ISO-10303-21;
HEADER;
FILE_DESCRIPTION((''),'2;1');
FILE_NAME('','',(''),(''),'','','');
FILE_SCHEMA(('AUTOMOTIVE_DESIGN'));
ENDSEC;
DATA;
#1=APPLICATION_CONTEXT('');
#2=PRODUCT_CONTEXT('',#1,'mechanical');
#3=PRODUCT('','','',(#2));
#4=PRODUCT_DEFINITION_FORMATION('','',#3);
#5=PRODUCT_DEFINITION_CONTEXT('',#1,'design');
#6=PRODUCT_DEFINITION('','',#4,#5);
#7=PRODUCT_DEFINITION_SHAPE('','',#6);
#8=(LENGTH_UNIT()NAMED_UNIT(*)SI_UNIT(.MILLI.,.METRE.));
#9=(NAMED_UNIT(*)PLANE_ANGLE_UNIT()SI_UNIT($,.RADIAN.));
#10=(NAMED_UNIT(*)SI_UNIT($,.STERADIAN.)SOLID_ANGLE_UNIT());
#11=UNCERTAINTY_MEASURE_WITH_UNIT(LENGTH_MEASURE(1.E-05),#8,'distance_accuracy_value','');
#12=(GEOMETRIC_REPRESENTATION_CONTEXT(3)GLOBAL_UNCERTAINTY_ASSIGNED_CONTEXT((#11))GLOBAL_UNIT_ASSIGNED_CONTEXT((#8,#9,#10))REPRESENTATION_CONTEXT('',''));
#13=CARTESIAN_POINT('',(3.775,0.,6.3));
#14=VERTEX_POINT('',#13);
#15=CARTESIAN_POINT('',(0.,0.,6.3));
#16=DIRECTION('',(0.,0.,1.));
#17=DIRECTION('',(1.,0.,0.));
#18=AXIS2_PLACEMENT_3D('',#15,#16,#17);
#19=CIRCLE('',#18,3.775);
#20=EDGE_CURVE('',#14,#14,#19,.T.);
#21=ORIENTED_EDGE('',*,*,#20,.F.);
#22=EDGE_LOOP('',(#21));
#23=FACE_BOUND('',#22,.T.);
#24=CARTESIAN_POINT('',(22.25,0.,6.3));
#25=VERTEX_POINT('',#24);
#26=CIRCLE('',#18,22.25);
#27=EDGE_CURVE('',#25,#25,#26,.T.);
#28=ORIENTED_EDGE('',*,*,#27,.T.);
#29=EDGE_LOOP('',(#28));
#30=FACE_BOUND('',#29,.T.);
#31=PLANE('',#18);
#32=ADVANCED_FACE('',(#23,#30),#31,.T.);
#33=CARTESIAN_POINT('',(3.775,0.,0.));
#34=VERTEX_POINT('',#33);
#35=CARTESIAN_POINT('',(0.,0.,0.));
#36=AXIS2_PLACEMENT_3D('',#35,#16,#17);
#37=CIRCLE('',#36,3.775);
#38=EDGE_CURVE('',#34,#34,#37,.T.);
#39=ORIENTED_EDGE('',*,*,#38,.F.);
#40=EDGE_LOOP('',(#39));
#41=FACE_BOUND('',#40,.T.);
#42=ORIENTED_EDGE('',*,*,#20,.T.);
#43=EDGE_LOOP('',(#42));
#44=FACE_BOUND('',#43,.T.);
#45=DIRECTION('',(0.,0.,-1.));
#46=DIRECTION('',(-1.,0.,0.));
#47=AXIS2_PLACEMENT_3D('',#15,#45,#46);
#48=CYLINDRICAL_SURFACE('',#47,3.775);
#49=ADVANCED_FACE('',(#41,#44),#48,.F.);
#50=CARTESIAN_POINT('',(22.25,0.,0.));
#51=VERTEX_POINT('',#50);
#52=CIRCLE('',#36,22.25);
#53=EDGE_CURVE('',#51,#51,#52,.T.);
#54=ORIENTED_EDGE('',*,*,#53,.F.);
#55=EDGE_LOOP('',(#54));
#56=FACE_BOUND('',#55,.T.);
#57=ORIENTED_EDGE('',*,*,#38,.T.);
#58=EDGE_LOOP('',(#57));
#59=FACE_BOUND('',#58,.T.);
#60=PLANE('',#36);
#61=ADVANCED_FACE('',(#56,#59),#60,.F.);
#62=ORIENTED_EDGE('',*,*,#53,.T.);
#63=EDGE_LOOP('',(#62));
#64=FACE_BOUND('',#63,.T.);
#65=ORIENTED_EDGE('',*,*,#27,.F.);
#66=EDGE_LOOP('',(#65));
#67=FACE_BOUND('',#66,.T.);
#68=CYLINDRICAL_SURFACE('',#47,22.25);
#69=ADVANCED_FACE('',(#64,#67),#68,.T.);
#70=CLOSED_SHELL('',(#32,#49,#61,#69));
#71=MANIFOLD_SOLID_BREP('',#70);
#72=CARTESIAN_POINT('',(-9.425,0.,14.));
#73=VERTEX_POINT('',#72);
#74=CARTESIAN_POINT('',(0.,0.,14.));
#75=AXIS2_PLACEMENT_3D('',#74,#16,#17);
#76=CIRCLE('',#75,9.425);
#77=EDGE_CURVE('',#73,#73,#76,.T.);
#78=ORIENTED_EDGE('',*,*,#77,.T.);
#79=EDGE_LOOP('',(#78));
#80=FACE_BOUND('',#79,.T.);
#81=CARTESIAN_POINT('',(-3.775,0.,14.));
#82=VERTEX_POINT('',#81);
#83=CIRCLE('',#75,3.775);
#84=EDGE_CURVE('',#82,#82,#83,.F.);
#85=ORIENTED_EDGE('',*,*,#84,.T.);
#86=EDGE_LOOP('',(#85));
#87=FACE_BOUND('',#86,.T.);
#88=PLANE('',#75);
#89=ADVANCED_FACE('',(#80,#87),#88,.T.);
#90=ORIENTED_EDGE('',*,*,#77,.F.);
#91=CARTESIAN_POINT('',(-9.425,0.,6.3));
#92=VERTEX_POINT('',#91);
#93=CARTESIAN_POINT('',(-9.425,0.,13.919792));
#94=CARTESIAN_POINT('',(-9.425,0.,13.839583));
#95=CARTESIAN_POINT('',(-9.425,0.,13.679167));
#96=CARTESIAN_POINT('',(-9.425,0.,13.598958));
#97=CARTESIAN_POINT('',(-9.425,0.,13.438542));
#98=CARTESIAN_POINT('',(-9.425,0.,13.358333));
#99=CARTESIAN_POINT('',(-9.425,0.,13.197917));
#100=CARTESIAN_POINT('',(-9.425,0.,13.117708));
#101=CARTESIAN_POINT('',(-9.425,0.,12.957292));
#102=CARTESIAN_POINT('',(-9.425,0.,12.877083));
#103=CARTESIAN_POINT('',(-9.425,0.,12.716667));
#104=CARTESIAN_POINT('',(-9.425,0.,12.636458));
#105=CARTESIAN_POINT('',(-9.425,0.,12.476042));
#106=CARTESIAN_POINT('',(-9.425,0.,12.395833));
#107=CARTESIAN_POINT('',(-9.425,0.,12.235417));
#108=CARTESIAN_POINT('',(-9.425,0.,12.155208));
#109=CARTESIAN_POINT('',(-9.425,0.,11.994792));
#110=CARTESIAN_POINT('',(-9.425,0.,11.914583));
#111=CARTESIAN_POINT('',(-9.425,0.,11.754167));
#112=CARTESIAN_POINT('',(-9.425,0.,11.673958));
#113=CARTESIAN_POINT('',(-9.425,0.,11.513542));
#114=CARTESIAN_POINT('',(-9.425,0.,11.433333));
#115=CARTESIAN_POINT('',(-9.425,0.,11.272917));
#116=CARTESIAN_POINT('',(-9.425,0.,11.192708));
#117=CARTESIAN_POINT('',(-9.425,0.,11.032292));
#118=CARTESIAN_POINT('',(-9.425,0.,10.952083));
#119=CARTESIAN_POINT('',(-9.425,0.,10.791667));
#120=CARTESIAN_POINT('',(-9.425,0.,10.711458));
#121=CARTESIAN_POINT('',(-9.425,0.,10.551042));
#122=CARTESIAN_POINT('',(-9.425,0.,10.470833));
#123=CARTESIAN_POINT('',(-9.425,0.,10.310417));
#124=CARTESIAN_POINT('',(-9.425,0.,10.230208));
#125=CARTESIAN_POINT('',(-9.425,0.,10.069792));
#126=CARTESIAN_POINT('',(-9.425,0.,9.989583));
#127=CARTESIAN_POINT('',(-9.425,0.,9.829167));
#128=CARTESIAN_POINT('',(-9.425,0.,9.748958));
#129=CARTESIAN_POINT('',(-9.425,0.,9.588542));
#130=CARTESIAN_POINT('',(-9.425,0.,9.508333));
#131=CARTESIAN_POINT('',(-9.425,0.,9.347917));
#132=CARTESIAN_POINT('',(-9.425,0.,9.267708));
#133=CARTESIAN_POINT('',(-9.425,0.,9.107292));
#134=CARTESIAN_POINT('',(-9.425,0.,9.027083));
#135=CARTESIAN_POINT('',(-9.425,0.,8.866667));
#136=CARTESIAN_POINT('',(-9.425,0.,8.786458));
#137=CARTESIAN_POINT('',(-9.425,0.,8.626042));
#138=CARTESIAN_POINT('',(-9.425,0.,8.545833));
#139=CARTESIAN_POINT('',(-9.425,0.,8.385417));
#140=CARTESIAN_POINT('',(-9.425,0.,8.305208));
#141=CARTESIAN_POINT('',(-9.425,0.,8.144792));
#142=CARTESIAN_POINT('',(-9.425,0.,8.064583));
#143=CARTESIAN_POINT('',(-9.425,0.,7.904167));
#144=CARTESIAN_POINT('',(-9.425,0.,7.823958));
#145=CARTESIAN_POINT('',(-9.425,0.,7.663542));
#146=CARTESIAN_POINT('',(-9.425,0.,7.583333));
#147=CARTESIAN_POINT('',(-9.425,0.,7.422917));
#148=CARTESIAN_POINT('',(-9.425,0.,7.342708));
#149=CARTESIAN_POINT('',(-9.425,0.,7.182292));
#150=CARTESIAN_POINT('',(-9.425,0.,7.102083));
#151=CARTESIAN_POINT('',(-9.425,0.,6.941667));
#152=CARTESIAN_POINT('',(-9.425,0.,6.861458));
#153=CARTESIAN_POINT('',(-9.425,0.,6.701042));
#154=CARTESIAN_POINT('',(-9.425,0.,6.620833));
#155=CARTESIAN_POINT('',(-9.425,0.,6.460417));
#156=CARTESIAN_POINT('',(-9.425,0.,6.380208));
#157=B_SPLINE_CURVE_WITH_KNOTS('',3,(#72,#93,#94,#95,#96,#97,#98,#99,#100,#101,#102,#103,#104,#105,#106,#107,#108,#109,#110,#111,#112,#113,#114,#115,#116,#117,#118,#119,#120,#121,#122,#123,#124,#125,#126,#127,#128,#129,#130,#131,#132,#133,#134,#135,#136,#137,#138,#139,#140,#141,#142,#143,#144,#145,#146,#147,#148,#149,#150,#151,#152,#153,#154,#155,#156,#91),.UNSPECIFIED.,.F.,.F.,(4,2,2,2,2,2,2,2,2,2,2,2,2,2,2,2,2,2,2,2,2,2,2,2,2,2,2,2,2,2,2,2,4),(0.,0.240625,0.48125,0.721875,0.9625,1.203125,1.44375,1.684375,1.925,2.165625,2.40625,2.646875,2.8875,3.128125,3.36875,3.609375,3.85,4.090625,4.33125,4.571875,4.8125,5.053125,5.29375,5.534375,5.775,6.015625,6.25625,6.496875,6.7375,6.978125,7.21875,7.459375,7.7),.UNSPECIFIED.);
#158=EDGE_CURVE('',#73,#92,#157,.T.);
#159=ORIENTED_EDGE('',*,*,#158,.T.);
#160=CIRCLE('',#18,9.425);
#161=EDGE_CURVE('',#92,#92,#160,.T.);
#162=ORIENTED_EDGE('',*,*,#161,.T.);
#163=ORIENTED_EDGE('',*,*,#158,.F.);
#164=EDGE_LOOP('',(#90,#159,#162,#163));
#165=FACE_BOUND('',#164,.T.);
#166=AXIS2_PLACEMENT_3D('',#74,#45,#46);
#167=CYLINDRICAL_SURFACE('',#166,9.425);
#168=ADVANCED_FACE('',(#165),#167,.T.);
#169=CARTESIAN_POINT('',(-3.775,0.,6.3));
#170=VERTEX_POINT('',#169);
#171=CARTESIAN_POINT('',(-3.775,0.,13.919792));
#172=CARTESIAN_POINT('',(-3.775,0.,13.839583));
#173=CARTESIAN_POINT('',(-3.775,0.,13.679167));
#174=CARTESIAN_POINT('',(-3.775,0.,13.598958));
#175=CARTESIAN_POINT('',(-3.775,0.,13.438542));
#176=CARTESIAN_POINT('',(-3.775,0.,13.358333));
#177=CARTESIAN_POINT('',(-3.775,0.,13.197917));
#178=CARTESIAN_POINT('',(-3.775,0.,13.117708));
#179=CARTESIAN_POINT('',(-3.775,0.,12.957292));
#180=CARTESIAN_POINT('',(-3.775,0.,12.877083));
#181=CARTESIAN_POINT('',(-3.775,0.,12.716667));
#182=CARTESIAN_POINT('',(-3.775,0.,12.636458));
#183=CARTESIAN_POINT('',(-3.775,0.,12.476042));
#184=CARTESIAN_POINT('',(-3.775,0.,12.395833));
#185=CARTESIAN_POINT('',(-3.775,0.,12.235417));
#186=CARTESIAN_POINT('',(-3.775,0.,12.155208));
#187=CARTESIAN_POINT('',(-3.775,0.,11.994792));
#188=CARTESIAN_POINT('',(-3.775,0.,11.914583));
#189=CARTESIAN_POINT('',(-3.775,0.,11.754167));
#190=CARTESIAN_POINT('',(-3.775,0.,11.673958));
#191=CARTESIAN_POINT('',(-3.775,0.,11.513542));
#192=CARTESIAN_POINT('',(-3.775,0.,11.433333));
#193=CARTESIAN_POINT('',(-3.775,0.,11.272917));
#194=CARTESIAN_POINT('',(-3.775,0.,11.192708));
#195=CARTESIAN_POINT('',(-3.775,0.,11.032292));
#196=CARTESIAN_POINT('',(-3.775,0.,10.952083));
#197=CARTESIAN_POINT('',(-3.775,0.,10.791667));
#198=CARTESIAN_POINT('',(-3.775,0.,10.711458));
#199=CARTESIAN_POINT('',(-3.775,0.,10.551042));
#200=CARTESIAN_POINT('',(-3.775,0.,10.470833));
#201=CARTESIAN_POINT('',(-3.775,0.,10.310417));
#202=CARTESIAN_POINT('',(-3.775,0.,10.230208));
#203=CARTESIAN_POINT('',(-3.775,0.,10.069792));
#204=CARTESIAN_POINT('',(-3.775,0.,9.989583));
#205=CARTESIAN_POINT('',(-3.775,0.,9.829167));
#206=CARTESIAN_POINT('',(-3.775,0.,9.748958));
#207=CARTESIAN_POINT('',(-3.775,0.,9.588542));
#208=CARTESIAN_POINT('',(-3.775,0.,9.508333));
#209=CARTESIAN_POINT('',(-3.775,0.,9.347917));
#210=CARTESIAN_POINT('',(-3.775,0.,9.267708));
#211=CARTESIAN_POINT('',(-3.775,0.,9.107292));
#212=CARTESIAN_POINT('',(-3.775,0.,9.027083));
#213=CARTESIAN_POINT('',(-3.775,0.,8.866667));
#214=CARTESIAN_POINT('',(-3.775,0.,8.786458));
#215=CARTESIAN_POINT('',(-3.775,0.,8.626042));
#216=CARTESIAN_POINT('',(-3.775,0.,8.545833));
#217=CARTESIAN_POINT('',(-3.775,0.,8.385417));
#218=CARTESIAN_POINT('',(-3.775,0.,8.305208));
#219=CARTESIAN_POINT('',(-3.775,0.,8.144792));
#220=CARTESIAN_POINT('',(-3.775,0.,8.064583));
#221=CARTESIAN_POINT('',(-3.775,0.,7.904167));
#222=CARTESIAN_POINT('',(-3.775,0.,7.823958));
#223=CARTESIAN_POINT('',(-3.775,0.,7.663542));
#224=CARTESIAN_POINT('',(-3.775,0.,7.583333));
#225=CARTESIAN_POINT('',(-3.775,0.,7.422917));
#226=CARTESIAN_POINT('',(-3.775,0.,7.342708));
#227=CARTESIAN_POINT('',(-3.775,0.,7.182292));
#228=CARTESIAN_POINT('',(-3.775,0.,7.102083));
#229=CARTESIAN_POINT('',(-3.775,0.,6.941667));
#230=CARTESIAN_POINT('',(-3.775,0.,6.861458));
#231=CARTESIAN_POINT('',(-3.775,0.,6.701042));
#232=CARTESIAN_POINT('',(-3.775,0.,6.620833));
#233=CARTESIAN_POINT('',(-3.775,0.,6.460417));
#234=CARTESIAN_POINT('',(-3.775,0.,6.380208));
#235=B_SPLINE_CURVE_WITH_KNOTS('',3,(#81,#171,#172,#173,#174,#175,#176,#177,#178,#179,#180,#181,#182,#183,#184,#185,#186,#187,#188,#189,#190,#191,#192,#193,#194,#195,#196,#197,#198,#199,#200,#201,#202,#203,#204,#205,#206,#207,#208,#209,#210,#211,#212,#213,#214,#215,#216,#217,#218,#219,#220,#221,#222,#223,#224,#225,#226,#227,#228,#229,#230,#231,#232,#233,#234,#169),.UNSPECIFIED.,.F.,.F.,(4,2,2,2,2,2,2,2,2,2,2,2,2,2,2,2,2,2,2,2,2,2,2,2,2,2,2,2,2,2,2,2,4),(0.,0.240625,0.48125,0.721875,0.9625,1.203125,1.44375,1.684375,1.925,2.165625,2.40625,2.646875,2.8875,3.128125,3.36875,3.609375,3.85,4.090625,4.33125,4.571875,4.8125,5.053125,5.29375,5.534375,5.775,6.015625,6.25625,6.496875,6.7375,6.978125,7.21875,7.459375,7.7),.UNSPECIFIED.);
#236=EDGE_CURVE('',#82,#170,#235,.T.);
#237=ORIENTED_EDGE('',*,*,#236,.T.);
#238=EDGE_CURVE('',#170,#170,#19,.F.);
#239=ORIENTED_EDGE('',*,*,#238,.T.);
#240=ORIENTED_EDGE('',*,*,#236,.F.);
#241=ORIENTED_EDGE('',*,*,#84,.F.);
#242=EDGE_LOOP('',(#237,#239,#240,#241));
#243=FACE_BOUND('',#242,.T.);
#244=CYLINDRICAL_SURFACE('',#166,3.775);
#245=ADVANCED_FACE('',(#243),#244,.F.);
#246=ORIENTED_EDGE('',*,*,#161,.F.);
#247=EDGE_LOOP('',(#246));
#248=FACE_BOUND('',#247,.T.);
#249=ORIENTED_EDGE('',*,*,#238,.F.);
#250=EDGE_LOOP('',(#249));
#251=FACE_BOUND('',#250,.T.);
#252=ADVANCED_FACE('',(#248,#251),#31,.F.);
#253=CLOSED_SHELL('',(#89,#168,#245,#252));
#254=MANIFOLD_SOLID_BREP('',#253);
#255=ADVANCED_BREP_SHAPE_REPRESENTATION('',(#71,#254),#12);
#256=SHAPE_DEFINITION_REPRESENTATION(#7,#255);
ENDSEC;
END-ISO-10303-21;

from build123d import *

# Parameters (mm, degrees)
SKETCH1_R           = 22.25
SKETCH1_R_2         = 3.775
BOSS_EXTRUDE1_DEPTH = 6.3
SKETCH2_R           = 9.425
SKETCH2_R_2         = 3.775
BOSS_EXTRUDE2_DEPTH = 7.7


with BuildPart() as part:
    # Sketch1 → Boss-Extrude1 (new body)
    with BuildSketch(Plane.XY):
        Circle(SKETCH1_R)
        Circle(SKETCH1_R_2, mode=Mode.SUBTRACT)
    extrude(amount=BOSS_EXTRUDE1_DEPTH)


with BuildPart() as body_2:
    # Sketch2 → Boss-Extrude2 (new body)
    with BuildSketch(Plane.XY.offset(6.3)):
        Circle(SKETCH2_R)
        Circle(SKETCH2_R_2, mode=Mode.SUBTRACT)
    extrude(amount=BOSS_EXTRUDE2_DEPTH)


solid = Compound([part.part, body_2.part])
